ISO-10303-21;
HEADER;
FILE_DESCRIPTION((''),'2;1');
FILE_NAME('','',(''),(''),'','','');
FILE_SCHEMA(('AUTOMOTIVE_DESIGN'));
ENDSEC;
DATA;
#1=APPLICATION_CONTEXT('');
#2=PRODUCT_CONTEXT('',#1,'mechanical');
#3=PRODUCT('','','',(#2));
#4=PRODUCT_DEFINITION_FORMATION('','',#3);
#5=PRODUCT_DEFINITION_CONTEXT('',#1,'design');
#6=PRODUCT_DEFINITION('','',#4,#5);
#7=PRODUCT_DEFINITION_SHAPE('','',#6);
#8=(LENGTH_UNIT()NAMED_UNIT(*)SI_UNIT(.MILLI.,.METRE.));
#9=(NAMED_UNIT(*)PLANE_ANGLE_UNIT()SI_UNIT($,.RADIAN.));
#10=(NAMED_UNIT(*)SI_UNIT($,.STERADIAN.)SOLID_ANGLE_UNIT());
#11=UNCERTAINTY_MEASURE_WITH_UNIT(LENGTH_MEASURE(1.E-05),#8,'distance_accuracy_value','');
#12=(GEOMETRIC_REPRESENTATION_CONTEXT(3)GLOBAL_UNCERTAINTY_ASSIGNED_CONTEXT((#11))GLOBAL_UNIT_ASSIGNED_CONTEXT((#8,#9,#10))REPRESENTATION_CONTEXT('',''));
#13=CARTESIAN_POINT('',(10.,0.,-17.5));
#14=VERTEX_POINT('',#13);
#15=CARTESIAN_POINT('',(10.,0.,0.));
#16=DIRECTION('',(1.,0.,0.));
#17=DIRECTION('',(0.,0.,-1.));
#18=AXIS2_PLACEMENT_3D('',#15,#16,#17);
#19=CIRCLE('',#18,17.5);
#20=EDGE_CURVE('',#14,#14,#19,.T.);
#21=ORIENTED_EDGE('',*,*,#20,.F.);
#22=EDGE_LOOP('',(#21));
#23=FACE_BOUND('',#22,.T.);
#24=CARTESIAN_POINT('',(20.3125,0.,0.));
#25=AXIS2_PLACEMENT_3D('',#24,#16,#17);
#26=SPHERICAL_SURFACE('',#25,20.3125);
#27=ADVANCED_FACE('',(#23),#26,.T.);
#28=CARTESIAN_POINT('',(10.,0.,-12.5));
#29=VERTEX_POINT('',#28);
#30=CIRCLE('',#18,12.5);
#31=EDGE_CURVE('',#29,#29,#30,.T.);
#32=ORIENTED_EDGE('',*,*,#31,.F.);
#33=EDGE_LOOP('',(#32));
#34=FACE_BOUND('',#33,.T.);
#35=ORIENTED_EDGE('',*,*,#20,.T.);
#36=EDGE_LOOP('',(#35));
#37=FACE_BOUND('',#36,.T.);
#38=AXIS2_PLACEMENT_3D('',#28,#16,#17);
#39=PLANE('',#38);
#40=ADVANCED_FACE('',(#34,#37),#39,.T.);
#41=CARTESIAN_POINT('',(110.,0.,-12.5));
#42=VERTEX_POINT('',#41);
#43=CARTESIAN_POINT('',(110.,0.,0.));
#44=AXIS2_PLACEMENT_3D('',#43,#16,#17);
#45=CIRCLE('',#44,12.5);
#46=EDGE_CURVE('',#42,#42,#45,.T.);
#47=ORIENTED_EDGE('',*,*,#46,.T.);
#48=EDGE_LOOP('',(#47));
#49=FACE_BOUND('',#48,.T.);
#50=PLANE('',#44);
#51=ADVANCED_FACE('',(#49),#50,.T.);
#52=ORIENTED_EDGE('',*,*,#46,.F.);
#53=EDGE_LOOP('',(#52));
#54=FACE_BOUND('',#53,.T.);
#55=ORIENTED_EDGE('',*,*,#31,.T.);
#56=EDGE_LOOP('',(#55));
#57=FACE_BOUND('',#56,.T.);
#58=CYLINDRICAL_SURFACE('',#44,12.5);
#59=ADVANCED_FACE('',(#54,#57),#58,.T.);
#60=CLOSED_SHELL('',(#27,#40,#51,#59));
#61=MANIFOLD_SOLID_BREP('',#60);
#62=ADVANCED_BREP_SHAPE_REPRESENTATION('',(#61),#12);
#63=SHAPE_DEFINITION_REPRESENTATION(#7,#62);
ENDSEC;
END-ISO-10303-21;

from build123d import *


with BuildPart() as part:
    # Sketch2 → Revolve1 (revolve)
    with BuildSketch(Plane(origin=(0, 0, 0), x_dir=(1, 0, 0), z_dir=(0, 1, 0))):
        with BuildLine():
            Line((110, 0), (110, 12.5))
            Line((110, 12.5), (10, 12.5))
            Line((10, 12.5), (10, 17.5))
            ThreePointArc((10, 17.5), (2.676311176, 10.077822185), (0, 0))
            Line((0, 0), (110, 0))
        make_face()
    revolve(axis=Axis((110, 0, 0), (-1, 0, 0)))


solid = part.part
